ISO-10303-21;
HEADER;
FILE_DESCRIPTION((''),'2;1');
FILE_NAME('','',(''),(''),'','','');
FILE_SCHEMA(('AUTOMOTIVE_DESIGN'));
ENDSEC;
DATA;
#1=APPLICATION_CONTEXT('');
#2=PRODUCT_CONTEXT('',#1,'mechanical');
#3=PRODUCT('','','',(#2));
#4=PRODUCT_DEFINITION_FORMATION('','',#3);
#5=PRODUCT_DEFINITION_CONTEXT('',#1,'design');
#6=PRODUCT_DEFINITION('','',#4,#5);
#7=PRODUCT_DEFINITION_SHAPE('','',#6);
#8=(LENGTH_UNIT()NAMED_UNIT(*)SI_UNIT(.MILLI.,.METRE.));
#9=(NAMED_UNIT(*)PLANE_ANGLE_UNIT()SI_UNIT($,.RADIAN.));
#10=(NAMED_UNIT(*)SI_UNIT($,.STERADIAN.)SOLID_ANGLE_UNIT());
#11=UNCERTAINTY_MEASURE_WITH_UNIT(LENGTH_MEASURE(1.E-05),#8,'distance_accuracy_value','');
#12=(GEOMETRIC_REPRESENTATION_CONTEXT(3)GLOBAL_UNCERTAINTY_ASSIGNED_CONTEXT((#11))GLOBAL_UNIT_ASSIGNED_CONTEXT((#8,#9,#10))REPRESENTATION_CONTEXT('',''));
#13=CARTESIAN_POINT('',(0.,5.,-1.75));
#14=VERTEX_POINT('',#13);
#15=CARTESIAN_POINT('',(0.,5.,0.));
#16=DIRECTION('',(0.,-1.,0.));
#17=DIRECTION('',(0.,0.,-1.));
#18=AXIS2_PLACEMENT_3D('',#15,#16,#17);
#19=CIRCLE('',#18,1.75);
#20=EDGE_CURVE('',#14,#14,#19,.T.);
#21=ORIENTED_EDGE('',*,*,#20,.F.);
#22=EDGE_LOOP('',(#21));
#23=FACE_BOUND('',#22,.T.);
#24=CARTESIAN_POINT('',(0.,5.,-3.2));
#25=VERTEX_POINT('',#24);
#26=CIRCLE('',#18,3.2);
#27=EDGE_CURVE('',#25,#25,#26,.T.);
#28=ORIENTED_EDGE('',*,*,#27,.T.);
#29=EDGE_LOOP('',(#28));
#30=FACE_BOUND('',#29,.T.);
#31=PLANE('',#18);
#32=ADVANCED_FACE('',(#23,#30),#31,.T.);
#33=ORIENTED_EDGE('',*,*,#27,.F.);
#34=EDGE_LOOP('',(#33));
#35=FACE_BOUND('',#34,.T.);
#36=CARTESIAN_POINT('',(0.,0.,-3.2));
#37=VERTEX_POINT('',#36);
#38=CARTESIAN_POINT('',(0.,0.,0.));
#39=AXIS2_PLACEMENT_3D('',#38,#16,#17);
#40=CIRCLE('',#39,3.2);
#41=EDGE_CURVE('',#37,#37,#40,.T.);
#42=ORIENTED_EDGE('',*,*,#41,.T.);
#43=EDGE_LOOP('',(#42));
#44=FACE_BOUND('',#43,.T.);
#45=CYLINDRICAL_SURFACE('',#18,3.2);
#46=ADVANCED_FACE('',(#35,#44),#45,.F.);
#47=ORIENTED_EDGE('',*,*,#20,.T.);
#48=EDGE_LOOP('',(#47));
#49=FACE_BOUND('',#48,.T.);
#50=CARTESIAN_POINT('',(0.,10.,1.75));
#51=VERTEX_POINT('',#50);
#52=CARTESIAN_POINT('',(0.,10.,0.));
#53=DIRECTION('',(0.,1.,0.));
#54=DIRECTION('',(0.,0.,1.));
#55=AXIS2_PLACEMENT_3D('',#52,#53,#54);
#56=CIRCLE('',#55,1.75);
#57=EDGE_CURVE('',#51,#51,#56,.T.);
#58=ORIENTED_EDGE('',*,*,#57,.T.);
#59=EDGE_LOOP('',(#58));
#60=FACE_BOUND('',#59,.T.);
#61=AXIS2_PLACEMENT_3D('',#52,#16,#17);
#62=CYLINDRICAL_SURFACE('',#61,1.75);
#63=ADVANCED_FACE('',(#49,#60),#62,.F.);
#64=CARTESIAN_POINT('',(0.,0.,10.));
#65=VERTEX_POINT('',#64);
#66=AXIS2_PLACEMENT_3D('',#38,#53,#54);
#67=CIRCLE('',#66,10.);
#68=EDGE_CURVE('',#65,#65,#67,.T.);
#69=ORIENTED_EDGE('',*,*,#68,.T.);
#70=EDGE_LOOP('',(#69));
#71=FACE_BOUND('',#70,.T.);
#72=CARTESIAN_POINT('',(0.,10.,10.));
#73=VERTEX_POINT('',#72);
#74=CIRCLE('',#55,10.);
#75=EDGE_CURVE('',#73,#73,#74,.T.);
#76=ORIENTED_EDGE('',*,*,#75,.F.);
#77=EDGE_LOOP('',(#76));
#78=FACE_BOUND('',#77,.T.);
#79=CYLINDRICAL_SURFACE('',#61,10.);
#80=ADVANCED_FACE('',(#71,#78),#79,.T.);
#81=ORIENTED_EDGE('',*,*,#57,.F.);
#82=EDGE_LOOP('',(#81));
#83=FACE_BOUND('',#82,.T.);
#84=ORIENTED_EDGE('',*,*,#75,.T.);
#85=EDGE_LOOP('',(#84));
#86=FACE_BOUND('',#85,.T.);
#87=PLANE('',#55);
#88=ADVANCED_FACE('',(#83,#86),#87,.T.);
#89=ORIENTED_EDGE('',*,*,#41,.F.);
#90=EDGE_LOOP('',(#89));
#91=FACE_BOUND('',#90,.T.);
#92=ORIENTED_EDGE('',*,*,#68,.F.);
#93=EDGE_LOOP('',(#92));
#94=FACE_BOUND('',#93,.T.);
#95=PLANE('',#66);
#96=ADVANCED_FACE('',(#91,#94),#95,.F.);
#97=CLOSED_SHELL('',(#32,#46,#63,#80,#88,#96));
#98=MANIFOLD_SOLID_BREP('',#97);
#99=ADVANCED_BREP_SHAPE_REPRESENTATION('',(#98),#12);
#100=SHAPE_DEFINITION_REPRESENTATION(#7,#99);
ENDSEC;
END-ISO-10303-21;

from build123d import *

# Parameters (mm, degrees)
SKETCH1_R           = 10
SKETCH1_R_2         = 1.75
BOSS_EXTRUDE1_DEPTH = 10
SKETCH2_R           = 3.2
CUT_EXTRUDE1_DEPTH  = 5


with BuildPart() as part:
    # Sketch1 → Boss-Extrude1 (new body)
    with BuildSketch(Plane(origin=(0, 0, 0), x_dir=(1, 0, 0), z_dir=(0, 1, 0))):
        Circle(SKETCH1_R)
        Circle(SKETCH1_R_2, mode=Mode.SUBTRACT)
    extrude(amount=BOSS_EXTRUDE1_DEPTH)

    # Sketch2 → Cut-Extrude1 (cut)
    with BuildSketch(Plane.XZ):
        Circle(SKETCH2_R)
    extrude(amount=-CUT_EXTRUDE1_DEPTH, mode=Mode.SUBTRACT)


solid = part.part
